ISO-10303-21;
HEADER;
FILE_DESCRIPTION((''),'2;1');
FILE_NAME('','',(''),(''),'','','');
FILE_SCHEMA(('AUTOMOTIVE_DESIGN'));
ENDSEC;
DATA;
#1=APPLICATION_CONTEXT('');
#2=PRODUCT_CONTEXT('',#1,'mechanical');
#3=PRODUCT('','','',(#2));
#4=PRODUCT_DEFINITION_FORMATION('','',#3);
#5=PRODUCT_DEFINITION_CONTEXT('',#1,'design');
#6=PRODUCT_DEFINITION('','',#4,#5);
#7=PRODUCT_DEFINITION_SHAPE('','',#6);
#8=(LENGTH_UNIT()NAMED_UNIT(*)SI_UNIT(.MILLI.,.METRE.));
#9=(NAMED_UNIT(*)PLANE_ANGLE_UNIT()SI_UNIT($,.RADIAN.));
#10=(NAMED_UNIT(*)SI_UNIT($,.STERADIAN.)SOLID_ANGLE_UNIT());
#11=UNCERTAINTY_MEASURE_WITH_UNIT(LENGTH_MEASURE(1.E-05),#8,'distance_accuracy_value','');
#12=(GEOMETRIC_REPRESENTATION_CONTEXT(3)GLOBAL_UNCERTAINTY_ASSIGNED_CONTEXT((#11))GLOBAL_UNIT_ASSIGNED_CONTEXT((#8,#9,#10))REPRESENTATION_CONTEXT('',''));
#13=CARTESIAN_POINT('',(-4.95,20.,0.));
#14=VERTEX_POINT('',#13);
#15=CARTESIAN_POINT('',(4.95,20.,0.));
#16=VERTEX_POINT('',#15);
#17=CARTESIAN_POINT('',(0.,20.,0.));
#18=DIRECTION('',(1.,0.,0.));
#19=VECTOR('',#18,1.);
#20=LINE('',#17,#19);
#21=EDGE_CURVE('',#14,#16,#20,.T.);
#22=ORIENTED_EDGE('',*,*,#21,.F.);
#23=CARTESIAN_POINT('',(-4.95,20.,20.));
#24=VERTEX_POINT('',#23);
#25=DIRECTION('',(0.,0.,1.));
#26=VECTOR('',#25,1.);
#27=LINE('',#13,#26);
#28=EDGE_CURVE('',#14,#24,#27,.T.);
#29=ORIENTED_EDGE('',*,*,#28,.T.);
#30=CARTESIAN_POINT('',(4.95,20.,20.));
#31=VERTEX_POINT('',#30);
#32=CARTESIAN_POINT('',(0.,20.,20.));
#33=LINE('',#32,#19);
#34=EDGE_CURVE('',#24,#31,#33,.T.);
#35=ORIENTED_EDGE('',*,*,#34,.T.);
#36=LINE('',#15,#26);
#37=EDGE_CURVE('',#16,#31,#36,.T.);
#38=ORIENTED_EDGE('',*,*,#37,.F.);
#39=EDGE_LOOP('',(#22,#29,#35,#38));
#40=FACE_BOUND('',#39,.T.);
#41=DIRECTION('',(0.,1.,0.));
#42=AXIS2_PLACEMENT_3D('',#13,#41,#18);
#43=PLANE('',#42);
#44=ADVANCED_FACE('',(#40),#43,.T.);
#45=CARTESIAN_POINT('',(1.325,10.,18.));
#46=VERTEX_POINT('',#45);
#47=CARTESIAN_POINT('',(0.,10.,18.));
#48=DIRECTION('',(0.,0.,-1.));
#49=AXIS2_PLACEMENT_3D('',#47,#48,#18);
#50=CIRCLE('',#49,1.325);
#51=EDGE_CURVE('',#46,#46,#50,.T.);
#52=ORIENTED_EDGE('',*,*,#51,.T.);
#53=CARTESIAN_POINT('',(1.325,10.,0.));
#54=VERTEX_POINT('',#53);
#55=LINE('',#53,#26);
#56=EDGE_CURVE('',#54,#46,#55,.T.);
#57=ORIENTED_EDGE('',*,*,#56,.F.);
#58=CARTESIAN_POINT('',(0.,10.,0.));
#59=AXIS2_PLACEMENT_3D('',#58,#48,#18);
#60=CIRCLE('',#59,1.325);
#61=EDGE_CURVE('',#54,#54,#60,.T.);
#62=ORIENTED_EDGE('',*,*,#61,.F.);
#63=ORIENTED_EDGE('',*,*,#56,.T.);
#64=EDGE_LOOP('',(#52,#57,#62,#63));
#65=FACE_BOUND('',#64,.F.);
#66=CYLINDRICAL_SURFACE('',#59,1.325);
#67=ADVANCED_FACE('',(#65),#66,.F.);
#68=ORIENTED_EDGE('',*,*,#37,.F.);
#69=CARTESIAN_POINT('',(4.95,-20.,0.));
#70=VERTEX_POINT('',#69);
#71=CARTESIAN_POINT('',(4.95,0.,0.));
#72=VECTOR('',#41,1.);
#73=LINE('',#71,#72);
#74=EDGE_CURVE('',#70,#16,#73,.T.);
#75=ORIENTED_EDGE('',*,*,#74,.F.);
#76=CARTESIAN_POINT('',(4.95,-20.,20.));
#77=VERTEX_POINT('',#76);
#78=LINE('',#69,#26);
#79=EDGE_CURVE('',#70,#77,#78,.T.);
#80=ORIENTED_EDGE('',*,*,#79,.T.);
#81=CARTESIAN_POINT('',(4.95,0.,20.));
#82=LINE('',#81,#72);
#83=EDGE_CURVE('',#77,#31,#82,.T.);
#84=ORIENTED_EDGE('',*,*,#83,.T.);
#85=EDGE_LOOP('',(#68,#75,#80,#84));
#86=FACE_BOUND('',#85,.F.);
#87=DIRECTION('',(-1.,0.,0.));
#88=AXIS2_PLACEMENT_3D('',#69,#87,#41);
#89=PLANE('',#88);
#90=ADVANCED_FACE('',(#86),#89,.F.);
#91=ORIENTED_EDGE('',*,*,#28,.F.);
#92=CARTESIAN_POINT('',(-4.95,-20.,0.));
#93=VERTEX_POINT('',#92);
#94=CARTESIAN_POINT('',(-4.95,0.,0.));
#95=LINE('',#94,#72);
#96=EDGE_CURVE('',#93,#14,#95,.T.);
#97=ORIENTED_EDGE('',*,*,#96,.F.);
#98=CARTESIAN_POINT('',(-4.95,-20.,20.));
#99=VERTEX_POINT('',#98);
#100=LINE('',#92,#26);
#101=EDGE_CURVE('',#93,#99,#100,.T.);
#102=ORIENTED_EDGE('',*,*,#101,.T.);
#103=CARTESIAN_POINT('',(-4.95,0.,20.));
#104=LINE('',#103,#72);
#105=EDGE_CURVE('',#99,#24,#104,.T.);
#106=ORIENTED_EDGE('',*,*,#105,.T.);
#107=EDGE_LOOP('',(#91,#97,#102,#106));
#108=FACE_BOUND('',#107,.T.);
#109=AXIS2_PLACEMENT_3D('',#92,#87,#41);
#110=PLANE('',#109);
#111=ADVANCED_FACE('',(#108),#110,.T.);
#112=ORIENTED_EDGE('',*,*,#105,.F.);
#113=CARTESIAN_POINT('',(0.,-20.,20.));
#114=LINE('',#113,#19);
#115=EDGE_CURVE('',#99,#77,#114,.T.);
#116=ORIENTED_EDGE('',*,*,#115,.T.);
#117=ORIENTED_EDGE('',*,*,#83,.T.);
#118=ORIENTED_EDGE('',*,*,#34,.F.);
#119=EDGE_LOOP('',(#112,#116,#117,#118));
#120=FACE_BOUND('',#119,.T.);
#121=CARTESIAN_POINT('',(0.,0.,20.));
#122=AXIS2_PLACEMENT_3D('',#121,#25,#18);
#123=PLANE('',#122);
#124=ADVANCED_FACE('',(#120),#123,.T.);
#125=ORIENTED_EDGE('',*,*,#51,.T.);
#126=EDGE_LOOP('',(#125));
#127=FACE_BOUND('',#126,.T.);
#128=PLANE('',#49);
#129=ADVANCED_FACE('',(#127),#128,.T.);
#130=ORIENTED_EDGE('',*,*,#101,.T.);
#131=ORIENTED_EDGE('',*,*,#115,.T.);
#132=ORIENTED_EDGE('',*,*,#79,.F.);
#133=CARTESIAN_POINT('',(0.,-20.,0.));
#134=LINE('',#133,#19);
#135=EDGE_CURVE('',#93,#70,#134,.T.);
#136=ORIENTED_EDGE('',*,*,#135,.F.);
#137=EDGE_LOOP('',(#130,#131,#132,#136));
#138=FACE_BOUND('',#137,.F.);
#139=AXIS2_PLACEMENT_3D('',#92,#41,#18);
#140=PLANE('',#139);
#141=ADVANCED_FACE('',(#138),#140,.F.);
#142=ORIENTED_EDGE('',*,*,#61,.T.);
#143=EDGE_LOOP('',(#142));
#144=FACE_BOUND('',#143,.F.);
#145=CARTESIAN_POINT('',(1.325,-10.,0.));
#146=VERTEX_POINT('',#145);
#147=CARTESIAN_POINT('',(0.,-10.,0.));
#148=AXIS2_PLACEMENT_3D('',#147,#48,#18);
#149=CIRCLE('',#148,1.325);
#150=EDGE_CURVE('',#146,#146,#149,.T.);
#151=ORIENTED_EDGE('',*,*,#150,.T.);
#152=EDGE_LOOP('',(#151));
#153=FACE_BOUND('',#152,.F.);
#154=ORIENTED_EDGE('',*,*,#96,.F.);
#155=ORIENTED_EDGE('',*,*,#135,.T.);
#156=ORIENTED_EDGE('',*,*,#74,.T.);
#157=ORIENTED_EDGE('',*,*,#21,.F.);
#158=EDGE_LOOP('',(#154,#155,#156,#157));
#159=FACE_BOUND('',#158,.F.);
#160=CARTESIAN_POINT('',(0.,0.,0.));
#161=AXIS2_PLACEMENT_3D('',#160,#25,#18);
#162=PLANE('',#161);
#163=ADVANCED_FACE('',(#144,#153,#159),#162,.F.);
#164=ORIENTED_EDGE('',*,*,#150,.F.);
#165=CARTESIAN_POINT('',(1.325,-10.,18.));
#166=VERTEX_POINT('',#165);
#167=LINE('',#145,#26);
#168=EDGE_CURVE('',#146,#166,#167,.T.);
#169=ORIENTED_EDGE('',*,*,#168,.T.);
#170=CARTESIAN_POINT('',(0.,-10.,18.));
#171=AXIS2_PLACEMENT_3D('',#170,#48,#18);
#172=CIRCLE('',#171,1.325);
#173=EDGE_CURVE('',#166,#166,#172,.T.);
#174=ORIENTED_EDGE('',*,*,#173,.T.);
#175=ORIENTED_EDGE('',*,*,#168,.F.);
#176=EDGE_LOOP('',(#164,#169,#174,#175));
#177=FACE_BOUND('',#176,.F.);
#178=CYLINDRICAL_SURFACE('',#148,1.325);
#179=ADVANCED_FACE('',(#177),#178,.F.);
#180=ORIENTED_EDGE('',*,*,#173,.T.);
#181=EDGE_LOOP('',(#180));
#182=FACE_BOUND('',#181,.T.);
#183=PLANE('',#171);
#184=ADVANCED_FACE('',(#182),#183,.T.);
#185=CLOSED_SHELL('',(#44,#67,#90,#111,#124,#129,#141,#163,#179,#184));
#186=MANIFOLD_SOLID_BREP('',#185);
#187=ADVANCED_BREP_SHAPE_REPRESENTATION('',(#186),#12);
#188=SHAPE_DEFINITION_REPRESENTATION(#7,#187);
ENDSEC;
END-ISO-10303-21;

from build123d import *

# Parameters (mm, degrees)
SKETCH_W     = 9.9
SKETCH_H     = 40
PAD_DEPTH    = 20
SKETCH001_R  = 1.325
POCKET_DEPTH = 18


with BuildPart() as part:
    # Sketch → Pad (new body)
    with BuildSketch(Plane.XY):
        Rectangle(SKETCH_W, SKETCH_H)
    extrude(amount=PAD_DEPTH)

    # Sketch001 (on Face5 of Pad) → Pocket (cut)
    with BuildSketch(Plane(origin=(0, 0, 0), x_dir=(1, 0, 0), z_dir=(0, 0, -1))):
        with Locations((0, 10)):
            Circle(SKETCH001_R)
        with Locations((0, -10)):
            Circle(SKETCH001_R)
    extrude(amount=-POCKET_DEPTH, mode=Mode.SUBTRACT)


solid = part.part
